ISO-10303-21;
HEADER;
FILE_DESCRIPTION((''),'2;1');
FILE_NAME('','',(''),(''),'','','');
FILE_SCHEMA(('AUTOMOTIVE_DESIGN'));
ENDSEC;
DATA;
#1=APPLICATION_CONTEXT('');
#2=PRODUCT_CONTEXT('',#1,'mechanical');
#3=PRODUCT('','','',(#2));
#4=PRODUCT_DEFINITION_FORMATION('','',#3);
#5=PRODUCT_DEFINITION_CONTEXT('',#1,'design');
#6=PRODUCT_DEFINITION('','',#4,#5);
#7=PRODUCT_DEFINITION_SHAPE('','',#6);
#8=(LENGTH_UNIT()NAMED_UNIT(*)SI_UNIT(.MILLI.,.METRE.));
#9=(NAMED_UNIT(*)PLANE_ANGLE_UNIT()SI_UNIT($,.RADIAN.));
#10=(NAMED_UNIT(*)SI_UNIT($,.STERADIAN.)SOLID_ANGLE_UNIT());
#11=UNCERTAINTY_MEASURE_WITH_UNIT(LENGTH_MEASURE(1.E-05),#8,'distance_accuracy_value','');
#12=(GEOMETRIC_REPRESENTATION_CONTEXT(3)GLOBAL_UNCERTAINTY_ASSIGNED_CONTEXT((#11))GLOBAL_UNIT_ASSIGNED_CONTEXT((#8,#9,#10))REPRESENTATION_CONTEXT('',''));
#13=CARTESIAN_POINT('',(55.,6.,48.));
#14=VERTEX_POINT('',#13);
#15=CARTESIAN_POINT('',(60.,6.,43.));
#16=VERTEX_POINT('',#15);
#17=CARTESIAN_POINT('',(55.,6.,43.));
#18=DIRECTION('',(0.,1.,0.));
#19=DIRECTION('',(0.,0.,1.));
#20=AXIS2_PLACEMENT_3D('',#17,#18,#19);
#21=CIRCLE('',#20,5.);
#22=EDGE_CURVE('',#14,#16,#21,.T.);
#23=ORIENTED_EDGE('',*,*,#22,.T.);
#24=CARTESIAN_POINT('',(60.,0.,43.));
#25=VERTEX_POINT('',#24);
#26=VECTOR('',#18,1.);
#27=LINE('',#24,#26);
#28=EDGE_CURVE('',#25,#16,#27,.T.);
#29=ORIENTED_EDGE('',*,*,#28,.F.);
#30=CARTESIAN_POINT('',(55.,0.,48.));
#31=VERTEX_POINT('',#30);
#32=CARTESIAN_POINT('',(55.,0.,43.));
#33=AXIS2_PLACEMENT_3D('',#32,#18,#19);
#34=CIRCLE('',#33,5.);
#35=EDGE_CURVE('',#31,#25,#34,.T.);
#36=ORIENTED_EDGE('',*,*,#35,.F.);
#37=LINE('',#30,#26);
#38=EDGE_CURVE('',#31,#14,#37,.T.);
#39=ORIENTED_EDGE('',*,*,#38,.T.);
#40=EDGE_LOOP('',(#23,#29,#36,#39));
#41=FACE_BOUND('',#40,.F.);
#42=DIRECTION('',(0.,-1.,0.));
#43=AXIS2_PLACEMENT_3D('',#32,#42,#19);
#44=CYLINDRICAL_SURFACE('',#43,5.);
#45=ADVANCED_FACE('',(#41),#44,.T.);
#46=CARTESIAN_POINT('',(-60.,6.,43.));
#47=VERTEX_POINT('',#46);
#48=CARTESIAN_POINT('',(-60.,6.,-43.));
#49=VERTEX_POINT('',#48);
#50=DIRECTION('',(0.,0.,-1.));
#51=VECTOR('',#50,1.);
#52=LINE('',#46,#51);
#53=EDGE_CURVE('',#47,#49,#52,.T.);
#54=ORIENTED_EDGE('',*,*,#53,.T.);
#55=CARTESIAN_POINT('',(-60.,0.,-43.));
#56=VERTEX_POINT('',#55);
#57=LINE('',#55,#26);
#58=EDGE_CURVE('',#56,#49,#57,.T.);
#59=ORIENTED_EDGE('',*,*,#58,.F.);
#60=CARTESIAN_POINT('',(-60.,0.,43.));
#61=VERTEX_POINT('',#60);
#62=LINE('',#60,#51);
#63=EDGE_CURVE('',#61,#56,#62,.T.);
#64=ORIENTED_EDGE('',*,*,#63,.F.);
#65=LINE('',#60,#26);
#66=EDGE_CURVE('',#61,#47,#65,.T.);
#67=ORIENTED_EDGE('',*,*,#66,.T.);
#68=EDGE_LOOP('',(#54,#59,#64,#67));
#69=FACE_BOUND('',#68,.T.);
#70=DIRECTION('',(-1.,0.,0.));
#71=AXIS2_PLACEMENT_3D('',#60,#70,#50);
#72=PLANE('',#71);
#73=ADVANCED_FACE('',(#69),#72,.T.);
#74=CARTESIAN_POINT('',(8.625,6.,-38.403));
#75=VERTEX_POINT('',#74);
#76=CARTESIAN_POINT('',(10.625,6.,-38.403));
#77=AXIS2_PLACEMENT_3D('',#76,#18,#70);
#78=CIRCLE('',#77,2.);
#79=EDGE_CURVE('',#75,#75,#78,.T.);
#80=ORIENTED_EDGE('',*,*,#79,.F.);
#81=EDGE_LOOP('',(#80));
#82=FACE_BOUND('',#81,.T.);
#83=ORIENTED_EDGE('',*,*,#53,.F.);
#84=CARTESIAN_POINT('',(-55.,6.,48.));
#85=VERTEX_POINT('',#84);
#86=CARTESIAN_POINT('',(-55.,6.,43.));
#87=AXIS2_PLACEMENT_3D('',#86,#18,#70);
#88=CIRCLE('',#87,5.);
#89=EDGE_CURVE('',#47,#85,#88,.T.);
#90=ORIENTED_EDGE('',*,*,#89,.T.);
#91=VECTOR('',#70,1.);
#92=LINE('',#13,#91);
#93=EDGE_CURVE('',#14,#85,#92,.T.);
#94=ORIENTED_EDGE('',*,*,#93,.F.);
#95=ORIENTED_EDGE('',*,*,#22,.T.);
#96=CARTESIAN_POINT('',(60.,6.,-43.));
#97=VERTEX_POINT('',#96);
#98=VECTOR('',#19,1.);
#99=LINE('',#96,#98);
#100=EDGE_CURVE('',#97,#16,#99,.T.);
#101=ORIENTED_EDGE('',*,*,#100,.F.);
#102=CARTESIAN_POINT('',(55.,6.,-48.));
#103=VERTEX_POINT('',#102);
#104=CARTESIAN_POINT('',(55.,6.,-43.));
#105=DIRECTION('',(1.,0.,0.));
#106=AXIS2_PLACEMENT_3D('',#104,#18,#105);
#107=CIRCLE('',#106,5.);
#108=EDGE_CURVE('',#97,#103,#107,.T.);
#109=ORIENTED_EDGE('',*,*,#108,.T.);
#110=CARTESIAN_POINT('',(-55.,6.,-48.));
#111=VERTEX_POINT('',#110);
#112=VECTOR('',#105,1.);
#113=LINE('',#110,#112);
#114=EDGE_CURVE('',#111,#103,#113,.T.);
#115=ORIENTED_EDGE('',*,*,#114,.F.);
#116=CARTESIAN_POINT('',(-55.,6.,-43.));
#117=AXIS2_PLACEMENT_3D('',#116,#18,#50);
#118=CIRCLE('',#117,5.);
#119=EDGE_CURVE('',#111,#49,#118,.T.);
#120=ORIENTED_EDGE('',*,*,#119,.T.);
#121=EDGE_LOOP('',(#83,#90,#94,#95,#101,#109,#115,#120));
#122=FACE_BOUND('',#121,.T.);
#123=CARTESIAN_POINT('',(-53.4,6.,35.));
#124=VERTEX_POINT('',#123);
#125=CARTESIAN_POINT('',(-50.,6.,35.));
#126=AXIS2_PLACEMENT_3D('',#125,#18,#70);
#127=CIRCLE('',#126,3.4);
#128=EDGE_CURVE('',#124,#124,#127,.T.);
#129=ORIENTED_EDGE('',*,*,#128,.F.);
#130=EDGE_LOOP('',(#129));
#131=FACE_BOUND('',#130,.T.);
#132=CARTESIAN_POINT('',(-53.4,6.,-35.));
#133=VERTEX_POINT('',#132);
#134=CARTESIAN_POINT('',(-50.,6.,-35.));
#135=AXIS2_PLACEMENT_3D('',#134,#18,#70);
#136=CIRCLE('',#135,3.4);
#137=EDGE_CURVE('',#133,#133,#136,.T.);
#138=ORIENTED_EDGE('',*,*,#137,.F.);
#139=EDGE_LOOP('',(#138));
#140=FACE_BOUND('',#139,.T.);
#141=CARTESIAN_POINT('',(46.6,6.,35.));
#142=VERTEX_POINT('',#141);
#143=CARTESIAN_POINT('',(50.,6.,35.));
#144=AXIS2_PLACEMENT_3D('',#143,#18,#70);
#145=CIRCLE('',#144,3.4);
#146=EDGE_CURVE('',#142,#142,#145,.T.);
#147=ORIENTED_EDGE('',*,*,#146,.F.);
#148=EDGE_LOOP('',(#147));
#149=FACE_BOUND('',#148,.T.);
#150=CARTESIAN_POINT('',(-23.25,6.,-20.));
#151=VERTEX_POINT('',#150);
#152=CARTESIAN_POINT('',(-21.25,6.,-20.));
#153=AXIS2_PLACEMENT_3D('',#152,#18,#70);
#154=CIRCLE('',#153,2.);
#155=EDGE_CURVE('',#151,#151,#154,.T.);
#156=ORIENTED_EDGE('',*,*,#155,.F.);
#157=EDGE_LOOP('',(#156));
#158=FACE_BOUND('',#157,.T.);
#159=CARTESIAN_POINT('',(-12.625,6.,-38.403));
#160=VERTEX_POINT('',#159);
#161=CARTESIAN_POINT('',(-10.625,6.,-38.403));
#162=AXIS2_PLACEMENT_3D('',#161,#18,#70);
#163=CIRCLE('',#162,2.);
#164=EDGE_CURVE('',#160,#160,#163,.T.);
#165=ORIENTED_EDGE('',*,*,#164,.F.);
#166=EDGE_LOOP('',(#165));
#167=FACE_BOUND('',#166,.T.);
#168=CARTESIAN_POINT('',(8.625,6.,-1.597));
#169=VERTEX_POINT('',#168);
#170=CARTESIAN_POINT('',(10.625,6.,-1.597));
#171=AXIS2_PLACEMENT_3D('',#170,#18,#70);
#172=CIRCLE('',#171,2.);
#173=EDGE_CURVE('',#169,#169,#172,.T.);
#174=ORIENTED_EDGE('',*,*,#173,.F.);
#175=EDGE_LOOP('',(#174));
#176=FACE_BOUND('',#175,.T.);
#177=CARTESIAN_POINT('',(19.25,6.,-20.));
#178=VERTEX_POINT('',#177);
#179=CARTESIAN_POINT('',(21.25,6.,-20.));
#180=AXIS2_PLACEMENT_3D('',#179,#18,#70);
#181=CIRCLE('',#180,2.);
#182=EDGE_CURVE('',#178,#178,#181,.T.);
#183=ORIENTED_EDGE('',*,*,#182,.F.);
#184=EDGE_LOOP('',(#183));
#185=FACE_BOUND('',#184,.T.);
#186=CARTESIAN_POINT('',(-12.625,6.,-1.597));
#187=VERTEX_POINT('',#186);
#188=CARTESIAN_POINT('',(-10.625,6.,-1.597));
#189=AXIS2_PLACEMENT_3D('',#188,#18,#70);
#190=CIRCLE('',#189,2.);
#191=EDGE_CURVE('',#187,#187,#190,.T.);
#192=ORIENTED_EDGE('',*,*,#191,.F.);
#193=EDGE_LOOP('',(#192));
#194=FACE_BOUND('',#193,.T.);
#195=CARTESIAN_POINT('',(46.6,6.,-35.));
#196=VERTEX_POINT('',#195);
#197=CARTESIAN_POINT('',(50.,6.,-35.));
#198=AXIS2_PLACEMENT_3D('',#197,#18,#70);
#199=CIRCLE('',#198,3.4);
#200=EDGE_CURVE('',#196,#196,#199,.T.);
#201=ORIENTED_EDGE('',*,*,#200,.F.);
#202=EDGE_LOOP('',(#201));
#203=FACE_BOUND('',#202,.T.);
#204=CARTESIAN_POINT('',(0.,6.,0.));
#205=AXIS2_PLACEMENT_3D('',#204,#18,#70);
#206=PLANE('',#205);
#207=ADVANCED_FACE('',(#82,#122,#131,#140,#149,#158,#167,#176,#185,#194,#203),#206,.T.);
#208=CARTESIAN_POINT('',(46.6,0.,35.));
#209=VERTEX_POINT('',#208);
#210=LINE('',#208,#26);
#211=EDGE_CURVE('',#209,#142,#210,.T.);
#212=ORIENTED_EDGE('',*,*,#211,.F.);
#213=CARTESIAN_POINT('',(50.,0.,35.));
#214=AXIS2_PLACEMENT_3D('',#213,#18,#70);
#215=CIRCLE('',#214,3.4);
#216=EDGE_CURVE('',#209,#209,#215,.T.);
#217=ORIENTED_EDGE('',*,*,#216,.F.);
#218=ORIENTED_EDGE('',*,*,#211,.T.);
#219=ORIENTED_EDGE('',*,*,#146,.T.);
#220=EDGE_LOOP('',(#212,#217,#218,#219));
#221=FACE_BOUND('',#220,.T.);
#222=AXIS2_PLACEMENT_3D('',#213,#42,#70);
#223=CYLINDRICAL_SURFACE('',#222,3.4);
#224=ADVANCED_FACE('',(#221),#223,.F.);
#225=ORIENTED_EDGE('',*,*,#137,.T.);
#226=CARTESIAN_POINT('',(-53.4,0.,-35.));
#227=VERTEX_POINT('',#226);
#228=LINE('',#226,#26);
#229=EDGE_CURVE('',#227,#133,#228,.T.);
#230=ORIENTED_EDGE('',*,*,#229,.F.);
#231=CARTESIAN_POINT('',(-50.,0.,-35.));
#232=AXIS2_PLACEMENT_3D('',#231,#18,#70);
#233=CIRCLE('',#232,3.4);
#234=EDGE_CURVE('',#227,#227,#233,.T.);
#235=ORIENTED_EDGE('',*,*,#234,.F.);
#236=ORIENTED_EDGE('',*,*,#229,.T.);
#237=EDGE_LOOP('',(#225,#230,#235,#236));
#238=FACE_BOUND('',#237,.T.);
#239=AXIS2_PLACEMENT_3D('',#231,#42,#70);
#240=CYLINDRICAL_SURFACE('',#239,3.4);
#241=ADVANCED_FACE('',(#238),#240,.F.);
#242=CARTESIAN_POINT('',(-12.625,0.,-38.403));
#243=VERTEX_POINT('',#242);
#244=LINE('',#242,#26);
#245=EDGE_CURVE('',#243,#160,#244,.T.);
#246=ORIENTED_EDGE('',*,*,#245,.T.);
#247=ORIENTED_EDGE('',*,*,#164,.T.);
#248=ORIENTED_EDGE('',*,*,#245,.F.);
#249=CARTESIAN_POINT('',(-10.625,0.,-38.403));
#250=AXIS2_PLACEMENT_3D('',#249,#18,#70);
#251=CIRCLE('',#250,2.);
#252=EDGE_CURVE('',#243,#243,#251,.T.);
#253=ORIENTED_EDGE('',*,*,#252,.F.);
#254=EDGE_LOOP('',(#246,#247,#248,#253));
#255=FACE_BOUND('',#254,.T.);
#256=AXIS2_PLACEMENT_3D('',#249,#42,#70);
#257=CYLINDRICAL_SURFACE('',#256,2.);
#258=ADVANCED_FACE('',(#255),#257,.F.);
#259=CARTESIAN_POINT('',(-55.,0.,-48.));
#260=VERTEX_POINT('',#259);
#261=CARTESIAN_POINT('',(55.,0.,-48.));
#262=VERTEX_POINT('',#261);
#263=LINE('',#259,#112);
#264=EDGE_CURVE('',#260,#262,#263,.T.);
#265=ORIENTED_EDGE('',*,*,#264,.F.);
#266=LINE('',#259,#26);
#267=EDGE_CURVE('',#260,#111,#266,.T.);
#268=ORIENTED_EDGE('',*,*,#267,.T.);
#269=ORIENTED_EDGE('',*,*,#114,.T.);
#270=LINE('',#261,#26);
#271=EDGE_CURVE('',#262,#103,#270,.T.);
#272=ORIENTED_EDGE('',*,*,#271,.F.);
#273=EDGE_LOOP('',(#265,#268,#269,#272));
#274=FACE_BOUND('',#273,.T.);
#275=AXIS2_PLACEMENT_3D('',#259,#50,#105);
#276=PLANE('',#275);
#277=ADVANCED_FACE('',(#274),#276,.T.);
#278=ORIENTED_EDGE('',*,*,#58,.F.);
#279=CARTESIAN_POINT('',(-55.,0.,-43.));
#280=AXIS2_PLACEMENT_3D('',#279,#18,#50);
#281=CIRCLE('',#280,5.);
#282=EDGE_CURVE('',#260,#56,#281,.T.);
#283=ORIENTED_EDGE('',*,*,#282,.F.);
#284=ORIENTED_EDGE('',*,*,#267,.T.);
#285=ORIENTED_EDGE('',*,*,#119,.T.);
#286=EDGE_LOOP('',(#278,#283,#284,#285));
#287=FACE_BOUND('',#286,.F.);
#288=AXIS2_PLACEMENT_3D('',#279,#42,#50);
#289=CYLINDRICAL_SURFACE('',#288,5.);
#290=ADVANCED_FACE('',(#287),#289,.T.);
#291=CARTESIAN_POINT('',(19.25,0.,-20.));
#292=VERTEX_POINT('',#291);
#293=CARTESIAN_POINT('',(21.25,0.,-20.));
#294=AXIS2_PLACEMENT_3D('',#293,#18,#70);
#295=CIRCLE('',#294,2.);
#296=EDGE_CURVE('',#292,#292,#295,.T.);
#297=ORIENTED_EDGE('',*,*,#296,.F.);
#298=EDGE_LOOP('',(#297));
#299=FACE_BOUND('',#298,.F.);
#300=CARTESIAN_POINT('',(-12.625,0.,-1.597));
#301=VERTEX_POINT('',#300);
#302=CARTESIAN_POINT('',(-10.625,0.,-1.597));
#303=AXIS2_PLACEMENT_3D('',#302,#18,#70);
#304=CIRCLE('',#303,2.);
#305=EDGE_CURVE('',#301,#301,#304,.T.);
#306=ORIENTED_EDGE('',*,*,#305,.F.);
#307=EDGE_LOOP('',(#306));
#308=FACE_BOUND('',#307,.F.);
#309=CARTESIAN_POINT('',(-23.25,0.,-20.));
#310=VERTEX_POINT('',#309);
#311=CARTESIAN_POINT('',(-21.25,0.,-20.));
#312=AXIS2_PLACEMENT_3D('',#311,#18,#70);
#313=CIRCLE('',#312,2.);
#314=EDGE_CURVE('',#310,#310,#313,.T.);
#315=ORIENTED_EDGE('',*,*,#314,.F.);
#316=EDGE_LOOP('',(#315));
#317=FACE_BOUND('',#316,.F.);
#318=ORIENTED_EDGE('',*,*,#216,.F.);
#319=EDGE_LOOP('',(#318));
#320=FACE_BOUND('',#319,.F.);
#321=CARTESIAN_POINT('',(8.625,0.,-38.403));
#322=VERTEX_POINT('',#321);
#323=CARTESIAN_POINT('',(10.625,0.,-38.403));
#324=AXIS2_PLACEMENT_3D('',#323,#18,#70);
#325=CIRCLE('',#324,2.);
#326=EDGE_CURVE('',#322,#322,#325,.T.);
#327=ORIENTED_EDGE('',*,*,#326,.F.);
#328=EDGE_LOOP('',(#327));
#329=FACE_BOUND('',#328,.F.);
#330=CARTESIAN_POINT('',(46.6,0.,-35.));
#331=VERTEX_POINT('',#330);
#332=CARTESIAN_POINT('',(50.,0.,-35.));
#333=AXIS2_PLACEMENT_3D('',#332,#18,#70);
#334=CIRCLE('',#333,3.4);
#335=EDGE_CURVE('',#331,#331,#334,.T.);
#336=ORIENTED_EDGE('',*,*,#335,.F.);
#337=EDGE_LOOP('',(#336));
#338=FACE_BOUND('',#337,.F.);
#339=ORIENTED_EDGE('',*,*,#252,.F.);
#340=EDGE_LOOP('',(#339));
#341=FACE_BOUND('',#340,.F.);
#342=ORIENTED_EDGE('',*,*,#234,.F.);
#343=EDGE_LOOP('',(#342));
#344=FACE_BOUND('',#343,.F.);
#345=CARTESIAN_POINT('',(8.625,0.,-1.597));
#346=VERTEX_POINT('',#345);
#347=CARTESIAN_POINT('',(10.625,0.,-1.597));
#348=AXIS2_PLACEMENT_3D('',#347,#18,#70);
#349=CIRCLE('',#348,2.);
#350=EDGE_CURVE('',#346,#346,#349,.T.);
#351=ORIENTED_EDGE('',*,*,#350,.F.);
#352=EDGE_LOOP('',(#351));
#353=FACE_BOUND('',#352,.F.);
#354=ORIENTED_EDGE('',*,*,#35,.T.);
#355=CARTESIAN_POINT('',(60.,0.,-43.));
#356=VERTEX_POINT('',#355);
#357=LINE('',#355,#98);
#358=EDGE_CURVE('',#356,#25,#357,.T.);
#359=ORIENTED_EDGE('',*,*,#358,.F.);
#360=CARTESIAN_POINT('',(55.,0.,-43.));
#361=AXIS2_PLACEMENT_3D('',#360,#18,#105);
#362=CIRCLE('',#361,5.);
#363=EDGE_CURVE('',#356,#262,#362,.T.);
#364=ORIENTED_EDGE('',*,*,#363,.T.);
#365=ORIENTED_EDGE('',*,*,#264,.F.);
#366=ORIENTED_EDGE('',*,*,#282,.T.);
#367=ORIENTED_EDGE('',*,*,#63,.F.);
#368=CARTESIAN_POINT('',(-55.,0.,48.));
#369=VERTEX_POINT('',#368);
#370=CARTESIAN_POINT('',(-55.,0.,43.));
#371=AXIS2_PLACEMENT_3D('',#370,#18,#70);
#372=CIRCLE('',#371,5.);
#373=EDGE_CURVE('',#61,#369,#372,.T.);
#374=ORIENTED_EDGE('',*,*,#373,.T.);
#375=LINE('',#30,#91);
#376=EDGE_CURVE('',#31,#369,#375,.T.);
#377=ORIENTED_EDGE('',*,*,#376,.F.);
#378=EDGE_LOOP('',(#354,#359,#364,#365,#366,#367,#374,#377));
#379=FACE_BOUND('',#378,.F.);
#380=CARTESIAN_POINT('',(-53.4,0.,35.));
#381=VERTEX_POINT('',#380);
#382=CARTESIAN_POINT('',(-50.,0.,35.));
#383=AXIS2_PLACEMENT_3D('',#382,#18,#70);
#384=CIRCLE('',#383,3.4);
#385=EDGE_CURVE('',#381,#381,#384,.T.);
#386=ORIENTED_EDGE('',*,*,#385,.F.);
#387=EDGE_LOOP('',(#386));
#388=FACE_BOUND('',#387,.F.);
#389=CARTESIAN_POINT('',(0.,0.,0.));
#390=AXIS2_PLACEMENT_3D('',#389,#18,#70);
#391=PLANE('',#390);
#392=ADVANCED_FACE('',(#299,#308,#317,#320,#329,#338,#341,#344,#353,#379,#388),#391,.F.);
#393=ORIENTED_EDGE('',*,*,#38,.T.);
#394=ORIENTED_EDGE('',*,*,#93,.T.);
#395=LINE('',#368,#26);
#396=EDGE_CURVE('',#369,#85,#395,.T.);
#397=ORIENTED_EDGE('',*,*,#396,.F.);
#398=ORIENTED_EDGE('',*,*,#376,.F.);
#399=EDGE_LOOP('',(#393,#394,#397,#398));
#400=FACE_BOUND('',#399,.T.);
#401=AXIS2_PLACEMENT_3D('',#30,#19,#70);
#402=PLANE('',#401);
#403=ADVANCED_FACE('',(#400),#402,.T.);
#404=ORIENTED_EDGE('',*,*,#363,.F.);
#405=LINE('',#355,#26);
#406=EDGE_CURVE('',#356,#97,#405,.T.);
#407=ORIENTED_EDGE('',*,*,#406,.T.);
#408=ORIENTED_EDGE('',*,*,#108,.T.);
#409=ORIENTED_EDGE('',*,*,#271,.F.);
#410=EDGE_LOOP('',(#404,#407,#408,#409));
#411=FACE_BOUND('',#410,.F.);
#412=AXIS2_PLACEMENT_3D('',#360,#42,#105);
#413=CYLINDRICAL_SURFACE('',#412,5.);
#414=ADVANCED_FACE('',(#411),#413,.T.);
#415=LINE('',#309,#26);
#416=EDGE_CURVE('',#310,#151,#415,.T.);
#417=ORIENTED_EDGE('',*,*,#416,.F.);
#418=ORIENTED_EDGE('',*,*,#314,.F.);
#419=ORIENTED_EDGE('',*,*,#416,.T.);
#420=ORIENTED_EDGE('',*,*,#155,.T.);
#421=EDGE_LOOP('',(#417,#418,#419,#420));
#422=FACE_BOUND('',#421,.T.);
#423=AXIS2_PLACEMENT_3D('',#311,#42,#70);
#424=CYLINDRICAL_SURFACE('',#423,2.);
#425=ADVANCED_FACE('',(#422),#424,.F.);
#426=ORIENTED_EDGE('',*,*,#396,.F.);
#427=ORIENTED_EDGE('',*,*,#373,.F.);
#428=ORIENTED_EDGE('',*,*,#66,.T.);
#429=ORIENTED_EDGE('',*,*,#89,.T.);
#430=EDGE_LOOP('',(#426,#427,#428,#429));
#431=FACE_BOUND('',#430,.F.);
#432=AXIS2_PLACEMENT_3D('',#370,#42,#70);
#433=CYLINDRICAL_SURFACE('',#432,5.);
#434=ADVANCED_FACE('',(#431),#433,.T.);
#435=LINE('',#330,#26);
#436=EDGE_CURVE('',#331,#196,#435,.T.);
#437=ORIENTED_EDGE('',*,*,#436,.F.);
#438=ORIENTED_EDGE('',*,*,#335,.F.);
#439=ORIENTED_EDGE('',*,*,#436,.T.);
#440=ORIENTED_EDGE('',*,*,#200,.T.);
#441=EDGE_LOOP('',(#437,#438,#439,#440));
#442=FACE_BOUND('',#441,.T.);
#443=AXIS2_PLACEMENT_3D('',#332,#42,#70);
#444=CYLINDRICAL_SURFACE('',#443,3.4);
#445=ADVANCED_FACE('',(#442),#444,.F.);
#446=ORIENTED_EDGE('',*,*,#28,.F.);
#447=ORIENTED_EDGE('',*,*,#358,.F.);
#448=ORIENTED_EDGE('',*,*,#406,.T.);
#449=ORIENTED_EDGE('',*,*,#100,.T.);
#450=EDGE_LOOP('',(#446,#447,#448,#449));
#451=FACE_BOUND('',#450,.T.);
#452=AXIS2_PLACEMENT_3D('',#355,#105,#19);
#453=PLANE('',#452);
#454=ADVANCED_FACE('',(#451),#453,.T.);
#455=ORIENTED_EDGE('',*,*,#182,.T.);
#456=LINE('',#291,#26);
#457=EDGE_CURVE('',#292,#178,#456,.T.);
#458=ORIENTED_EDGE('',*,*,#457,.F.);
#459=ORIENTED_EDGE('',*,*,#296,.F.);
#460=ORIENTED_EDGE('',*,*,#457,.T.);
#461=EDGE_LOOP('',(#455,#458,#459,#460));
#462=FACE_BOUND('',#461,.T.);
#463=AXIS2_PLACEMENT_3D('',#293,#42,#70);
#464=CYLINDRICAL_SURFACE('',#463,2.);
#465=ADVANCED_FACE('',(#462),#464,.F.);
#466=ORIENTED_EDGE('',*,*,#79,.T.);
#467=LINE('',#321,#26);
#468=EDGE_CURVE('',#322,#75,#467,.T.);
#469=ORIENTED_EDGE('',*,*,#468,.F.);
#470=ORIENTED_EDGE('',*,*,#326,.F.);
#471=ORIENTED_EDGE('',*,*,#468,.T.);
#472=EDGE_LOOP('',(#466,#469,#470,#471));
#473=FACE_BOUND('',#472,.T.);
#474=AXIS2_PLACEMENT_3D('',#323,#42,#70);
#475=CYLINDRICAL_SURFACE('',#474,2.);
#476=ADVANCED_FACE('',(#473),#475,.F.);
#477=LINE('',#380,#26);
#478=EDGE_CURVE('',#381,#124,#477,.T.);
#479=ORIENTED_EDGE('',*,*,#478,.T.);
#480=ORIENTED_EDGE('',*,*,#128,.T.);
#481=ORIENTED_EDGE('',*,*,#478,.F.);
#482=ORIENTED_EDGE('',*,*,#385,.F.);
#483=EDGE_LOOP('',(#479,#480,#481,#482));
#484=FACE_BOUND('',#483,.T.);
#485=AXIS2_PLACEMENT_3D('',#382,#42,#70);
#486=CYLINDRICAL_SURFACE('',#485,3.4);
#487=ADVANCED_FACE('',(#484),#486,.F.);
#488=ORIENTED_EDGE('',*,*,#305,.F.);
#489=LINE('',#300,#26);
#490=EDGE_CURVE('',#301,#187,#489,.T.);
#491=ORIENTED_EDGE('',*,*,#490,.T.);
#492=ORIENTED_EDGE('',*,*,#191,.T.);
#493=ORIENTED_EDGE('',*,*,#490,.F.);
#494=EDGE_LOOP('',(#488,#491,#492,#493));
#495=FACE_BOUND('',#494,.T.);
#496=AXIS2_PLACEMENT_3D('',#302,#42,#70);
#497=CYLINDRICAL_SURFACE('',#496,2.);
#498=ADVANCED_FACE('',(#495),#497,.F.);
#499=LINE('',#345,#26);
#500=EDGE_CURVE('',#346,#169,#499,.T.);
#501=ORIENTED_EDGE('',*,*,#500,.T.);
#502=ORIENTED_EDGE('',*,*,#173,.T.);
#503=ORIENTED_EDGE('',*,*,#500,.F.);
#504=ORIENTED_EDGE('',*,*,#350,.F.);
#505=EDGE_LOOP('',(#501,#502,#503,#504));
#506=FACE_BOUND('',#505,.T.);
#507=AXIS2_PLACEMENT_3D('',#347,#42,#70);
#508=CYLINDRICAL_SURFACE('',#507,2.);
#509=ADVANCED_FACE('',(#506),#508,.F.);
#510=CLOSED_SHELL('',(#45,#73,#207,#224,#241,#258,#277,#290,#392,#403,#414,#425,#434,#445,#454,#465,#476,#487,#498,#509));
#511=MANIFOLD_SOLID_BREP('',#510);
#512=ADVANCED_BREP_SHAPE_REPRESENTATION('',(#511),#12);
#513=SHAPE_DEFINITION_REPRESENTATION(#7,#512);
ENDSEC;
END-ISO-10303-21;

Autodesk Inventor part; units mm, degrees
ref_plane "YZ Plane" through (0, 0, 0) normal (1, 0, 0) x (0, 1, 0)
ref_plane "XZ Plane" through (0, 0, 0) normal (0, 1, 0) x (-1, 0, 0)
ref_plane "XY Plane" through (0, 0, 0) normal (0, 0, 1) x (1, 0, 0)
sketch "Sketch1" plane through (0, 0, 0) normal (0, 1, 0) x (-1, 0, 0)
  line L0 (55, -48) -> (-55, -48)
  line L1 (-60, -43) -> (-60, 43)
  line L2 (-55, 48) -> (55, 48)
  line L3 (60, 43) -> (60, -43)
  line L4 (50, -35) -> (-50, -35) construction
  line L5 (-50, -35) -> (-50, 35) construction
  line L6 (-50, 35) -> (50, 35) construction
  line L7 (50, 35) -> (50, -35) construction
  arc A0 (60, 43) -> (55, 48) centre (55, 43) ccw
  arc A1 (-55, 48) -> (-60, 43) centre (-55, 43) ccw
  arc A2 (-60, -43) -> (-55, -48) centre (-55, -43) ccw
  arc A3 (55, -48) -> (60, -43) centre (55, -43) ccw
  circle A4 centre (50, -35) radius 3.4
  circle A5 centre (50, 35) radius 3.4
  circle A6 centre (-50, -35) radius 3.4
  circle A7 centre (-50, 35) radius 3.4
  line L8 (0, -20) -> (0, 20) construction
  line L9 (25, -20) -> (25, 20) construction
  line L10 (-25, 20) -> (-25, -20) construction
  arc A8 (-25, -20) -> (25, -20) centre (0, -20) ccw construction
  arc A9 (25, 20) -> (-25, 20) centre (0, 20) ccw construction
  circle A10 centre (0, -20) radius 21.25 construction
  circle A11 centre (-21.25, -20) radius 2
  circle A12 centre (-10.625, -38.403) radius 2
  circle A13 centre (10.625, -38.403) radius 2
  circle A14 centre (21.25, -20) radius 2
  circle A15 centre (10.625, -1.597) radius 2
  circle A16 centre (-10.625, -1.597) radius 2
  point P0 (0, 0)
  point P1 (-60, 0)
  point P2 (0, -48)
  point P3 (0, -35)
  point P4 (-50, 0)
  point P5 (0, 0)
  dimension "d17" = 42.5
  dimension "d0" = 96
  dimension "d1" = 120
  dimension "d2" = 70
  dimension "d3" = 100
  dimension "d4" = 5
  dimension "d5" = 6.8
  dimension "d6" = 6.8
  dimension "d8" = 6.8
  dimension "d10" = 6.8
  dimension "d13" = 25
  dimension "d14" = 40
  dimension "d23" = 4
  dimension "d26" = 360
extrude "Extrusion1" add sketch "Sketch1" along normal blind 6
equation "\"d17\" = iciclesMountD"
equation "\"d0\" = moduleHeight"
equation "\"d1\" = moduleWidth"
equation "\"d2\" = moduleMountH"
equation "\"d3\" = moduleMountW"
equation "\"d4\" = moduleCornerR"
equation "\"d5\" = moduleMountD"
equation "\"d6\" = moduleMountD"
equation "\"d8\" = moduleMountD"
equation "\"d10\" = moduleMountD"
equation "\"d13\" = moduleOpeningR"
equation "\"d14\" = moduleOpeningH"
equation "\"d23\" = insertDrillM3"
equation "\"d15\" = thickness"
equation "\"moduleWidth\" = 120"
equation "\"moduleHeight\" = 96"
equation "\"moduleMountW\" = 100"
equation "\"moduleMountH\" = 70"
equation "\"moduleMountD\" = 6.8"
equation "\"moduleCornerR\" = 5"
equation "\"moduleOpeningR\" = 25"
equation "\"moduleOpeningH\" = 40"
equation "\"thickness\" = 6"
equation "\"iciclesMountD\" = 42.5"
equation "\"insertDrillM3\" = 4"
properties part number "Module_base_Icicles26"
